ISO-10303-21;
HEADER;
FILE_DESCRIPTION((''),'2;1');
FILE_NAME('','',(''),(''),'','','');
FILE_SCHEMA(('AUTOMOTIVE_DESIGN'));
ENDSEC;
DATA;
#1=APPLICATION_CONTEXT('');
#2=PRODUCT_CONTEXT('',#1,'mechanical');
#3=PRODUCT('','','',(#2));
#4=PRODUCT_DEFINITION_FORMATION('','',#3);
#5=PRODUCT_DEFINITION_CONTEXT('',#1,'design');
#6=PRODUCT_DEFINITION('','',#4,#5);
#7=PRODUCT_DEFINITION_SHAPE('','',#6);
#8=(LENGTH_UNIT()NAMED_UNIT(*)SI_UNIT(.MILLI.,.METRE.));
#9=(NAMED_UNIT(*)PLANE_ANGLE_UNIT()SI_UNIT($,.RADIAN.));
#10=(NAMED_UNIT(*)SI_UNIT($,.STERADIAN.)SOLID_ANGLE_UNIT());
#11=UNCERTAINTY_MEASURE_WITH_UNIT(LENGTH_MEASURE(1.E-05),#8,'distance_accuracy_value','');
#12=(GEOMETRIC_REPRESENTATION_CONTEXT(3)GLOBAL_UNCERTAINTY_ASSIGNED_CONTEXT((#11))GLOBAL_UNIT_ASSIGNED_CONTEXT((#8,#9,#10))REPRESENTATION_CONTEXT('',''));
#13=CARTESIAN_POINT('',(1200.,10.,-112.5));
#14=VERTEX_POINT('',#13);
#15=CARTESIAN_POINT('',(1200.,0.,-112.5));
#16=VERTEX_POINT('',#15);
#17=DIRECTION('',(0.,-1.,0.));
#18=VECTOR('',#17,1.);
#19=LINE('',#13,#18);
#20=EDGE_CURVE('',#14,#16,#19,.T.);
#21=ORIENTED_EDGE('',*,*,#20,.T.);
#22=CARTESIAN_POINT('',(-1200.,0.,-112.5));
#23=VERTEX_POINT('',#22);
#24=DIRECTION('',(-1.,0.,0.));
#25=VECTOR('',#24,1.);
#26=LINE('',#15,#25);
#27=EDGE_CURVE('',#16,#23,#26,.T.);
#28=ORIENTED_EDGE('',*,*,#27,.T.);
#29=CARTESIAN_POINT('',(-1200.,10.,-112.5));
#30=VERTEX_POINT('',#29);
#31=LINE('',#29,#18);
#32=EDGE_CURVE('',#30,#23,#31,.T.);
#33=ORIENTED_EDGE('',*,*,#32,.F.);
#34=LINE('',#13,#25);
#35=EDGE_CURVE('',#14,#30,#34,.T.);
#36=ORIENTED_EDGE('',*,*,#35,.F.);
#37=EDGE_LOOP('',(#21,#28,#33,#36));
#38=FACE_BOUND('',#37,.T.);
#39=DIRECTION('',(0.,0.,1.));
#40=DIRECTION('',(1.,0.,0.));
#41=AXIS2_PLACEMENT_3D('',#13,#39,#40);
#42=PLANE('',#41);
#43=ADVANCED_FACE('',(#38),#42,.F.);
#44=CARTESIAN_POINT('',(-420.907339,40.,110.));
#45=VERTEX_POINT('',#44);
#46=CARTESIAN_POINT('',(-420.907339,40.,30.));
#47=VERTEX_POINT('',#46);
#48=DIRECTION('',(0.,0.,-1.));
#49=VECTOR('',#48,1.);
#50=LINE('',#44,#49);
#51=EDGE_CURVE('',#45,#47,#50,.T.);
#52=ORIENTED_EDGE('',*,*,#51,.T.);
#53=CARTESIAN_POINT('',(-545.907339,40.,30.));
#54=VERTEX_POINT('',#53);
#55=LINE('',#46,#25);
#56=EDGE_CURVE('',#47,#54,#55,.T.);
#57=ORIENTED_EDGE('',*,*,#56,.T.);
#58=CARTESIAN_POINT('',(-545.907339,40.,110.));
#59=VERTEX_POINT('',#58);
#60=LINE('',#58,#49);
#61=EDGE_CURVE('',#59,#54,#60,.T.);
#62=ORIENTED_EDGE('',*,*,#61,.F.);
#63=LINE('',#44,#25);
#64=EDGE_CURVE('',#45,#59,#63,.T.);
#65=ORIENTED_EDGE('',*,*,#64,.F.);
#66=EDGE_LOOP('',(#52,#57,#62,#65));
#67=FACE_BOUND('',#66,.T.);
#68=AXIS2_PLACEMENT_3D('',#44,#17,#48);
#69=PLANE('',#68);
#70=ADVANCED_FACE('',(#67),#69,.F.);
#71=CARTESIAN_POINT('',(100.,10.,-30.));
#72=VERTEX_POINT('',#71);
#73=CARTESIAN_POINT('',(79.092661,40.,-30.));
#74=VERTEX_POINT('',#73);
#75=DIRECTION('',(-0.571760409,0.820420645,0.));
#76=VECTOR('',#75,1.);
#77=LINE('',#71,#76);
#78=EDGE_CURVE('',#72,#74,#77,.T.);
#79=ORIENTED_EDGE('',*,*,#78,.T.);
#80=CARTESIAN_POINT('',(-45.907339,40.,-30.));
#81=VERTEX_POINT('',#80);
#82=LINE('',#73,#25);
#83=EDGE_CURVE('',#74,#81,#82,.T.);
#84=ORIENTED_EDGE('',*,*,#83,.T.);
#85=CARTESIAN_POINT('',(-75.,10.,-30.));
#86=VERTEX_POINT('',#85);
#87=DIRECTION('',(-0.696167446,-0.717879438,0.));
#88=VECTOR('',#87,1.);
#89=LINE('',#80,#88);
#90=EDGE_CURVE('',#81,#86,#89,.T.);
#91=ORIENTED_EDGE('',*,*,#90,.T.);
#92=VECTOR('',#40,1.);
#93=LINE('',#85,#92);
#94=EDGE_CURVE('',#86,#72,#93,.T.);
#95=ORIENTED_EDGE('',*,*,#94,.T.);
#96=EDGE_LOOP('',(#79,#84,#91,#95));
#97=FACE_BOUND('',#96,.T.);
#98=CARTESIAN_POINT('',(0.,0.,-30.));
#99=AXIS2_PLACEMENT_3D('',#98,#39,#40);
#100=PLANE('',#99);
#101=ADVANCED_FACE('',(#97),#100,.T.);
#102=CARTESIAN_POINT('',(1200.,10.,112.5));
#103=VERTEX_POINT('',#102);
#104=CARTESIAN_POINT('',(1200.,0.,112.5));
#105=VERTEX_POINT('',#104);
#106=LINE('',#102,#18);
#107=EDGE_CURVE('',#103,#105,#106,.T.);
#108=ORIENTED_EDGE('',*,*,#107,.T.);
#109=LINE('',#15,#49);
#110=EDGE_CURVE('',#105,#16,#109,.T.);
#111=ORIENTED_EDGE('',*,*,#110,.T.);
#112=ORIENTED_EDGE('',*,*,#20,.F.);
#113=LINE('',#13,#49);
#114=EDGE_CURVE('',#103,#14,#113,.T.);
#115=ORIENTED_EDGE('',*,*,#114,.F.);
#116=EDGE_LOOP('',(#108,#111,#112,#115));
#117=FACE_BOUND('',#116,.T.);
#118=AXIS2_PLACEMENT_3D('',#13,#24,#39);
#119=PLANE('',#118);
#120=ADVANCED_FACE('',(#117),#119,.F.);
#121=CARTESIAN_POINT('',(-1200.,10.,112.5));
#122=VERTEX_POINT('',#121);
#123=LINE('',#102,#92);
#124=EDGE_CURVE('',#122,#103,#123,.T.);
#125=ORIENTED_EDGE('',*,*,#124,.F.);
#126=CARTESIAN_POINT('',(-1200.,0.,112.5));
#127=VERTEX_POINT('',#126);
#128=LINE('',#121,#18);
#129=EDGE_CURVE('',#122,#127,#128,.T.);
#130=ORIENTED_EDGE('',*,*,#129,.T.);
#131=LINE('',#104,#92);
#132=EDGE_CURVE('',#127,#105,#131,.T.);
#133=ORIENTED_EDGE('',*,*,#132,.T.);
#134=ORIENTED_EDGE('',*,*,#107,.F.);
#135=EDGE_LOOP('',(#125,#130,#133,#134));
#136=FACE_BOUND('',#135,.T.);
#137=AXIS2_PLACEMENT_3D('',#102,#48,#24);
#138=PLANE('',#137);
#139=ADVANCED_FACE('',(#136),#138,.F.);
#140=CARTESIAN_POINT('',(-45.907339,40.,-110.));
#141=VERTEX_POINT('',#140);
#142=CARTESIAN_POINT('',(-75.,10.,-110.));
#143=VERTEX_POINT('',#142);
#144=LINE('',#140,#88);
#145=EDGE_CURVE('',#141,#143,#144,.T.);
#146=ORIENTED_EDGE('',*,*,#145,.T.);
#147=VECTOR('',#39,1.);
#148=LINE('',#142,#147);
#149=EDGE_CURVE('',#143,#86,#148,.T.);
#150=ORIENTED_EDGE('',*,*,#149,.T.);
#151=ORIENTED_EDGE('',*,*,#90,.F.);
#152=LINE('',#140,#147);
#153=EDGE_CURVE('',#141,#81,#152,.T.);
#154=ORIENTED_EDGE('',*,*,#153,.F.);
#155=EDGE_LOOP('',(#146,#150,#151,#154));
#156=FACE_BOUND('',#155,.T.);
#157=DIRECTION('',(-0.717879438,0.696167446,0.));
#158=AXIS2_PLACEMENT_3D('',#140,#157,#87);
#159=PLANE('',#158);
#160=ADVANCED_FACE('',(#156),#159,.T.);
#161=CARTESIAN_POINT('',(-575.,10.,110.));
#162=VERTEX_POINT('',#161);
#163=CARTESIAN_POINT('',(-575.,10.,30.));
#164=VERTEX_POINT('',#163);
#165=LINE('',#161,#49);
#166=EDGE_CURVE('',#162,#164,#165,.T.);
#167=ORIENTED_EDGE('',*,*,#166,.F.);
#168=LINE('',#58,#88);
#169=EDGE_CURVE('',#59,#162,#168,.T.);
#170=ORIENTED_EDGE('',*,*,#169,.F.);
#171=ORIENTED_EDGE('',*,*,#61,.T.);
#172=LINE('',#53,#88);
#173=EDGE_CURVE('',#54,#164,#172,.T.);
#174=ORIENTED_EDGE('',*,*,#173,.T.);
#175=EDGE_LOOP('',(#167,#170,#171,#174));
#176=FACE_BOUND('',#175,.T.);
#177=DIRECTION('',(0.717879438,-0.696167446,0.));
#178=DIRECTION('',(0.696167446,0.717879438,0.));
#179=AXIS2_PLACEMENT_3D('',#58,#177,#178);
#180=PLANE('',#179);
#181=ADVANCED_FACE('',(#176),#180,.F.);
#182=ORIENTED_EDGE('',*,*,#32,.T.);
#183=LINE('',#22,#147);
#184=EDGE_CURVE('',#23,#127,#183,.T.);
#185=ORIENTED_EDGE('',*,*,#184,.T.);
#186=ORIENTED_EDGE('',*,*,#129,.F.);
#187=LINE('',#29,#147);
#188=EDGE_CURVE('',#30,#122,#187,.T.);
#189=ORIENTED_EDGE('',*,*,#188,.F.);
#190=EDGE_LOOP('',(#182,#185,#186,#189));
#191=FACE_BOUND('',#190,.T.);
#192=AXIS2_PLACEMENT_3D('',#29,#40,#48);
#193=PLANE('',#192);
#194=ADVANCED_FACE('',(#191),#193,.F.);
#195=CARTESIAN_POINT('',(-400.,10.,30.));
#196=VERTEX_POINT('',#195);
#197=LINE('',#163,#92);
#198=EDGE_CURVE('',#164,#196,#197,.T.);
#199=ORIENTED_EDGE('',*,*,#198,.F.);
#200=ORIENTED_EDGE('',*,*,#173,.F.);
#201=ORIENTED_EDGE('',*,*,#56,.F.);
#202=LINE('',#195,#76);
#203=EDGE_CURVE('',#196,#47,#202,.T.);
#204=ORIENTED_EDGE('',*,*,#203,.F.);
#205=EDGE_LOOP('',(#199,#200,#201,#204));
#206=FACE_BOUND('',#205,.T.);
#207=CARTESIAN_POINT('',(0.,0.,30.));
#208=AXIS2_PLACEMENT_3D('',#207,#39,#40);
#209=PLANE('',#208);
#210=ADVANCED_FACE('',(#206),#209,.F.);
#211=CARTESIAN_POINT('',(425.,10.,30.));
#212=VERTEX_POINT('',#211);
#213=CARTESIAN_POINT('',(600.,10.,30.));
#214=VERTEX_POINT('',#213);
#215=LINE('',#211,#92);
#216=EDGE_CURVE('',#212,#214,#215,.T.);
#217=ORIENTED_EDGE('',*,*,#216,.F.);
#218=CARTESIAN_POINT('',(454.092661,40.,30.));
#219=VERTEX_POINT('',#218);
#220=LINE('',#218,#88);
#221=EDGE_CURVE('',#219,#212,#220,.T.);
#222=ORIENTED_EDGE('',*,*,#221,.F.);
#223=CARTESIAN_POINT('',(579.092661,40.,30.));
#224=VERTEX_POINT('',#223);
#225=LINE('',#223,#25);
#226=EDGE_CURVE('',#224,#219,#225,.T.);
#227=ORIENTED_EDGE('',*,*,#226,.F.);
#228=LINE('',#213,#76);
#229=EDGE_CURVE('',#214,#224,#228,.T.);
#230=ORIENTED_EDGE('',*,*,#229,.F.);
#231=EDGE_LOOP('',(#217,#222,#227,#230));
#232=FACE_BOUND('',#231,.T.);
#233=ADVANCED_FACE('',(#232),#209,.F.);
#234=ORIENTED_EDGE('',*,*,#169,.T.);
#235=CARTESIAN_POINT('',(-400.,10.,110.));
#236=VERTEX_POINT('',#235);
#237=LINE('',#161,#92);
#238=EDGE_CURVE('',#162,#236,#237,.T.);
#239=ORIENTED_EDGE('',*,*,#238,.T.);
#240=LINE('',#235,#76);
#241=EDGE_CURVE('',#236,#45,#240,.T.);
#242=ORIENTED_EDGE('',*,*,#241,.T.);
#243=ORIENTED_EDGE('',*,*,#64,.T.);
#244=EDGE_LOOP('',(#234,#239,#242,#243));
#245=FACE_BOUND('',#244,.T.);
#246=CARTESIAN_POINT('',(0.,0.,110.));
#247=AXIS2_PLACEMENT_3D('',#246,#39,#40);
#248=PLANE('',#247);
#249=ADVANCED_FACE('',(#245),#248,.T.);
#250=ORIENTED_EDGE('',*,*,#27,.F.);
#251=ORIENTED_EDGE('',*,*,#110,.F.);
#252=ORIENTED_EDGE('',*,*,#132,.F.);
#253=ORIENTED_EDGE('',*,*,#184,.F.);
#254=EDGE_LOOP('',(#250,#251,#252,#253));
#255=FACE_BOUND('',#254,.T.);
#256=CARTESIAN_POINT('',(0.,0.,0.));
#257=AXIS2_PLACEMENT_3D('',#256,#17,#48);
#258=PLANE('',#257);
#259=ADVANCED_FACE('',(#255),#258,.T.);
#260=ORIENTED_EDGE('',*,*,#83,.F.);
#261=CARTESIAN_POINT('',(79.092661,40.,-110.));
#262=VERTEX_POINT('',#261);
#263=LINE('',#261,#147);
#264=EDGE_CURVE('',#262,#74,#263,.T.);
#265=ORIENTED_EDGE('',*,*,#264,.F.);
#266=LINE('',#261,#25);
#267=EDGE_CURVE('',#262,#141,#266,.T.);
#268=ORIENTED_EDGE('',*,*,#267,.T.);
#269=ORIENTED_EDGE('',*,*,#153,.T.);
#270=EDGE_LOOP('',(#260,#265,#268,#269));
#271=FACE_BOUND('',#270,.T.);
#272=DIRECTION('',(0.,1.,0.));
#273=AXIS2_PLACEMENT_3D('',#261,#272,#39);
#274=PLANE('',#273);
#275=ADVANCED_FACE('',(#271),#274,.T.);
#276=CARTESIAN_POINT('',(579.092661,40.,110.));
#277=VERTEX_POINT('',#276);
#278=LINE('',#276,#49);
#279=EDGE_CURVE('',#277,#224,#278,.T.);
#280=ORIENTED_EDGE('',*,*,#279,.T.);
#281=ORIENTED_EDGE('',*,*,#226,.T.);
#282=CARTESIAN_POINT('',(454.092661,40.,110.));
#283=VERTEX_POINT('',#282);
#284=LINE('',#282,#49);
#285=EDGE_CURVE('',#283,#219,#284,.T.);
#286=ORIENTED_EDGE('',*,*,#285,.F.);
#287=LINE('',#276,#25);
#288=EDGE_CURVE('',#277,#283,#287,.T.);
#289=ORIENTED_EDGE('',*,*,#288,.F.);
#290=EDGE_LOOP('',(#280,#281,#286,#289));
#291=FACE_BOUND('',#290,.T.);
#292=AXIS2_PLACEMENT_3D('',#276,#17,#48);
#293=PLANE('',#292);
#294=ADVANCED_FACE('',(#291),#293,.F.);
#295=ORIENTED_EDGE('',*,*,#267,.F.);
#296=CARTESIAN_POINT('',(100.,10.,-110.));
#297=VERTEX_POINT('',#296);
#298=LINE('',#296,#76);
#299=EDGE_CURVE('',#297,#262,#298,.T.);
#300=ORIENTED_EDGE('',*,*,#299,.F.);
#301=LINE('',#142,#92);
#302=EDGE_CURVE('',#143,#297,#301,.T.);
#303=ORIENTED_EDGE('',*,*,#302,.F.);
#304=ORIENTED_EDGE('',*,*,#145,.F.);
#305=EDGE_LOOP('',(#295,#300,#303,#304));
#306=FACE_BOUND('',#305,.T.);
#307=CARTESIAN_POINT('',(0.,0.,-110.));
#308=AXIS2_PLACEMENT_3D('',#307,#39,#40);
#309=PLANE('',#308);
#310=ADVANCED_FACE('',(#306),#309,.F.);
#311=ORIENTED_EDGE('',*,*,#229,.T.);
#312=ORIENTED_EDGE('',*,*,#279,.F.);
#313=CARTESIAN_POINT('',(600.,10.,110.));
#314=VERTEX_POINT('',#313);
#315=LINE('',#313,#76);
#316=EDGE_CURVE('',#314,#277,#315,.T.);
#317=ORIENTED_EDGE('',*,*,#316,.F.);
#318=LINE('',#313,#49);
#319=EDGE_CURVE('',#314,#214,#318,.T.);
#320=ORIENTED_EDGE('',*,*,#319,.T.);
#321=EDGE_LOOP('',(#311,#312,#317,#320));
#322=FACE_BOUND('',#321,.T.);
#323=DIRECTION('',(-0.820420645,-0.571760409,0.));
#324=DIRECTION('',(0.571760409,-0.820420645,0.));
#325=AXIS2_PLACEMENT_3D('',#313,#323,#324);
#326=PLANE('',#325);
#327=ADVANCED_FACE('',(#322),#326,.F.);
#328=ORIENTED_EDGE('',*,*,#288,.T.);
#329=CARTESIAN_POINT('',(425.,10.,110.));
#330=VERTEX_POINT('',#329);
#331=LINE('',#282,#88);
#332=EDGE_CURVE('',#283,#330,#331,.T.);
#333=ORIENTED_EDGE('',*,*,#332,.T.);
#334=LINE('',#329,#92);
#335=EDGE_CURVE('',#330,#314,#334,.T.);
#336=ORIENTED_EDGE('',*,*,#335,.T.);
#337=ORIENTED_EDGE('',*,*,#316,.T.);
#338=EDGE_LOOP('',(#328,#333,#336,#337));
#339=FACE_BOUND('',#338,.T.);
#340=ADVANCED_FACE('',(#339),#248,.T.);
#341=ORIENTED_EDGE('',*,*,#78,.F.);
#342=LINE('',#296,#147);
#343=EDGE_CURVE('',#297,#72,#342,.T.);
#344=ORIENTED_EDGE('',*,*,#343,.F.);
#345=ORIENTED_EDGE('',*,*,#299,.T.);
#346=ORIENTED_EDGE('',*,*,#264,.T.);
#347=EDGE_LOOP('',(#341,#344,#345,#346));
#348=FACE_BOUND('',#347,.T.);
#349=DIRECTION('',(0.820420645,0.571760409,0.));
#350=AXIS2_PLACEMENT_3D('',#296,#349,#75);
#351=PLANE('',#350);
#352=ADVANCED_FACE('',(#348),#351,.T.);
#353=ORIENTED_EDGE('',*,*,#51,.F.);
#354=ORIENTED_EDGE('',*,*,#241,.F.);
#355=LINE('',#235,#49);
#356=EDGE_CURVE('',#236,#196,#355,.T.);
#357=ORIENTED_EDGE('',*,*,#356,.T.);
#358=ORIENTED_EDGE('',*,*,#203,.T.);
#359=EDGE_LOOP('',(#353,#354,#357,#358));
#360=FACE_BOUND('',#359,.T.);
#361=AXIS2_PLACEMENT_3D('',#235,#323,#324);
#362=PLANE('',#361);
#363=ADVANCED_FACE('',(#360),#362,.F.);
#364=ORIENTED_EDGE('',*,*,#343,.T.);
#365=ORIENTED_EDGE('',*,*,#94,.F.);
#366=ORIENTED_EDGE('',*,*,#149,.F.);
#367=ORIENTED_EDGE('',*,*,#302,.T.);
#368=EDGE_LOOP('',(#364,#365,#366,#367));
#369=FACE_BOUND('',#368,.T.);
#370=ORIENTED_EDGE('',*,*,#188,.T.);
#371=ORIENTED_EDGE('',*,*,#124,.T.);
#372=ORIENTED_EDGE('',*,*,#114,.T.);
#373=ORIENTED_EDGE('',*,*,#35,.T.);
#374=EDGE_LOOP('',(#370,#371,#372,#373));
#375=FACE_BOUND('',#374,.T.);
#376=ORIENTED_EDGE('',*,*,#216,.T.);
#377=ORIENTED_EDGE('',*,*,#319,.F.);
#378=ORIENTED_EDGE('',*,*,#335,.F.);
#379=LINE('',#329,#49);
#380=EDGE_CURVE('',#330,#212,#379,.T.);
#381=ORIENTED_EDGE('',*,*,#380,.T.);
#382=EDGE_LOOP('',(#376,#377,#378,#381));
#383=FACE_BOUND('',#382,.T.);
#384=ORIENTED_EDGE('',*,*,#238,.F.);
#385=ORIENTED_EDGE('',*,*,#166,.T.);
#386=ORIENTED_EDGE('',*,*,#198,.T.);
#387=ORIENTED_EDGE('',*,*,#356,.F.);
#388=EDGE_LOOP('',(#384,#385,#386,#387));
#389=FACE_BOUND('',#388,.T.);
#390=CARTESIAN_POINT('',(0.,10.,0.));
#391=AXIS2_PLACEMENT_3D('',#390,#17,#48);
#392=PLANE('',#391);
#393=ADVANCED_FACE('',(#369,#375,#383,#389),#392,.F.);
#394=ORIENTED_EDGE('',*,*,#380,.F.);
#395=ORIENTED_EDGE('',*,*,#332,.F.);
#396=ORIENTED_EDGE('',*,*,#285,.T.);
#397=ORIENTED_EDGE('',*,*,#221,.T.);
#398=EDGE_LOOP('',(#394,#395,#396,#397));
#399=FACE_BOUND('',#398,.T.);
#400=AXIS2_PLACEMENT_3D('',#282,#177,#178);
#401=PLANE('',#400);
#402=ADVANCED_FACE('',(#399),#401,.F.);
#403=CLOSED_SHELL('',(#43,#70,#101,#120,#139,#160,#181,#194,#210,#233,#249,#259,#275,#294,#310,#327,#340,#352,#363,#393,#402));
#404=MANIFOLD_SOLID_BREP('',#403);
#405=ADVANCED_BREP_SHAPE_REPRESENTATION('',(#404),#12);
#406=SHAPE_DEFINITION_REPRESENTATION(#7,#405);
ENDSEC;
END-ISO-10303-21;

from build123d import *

# Parameters (mm, degrees)
SKETCH1_W           = 2400
SKETCH1_H           = 225
BOSS_EXTRUDE1_DEPTH = 10
BOSS_EXTRUDE2_START = 30
BOSS_EXTRUDE2_DEPTH = 80
BOSS_EXTRUDE3_START = -30
BOSS_EXTRUDE3_DEPTH = 80


with BuildPart() as part:
    # Sketch1 → Boss-Extrude1 (new body)
    with BuildSketch(Plane(origin=(0, 0, 0), x_dir=(1, 0, 0), z_dir=(0, 1, 0))):
        Rectangle(SKETCH1_W, SKETCH1_H)
    extrude(amount=BOSS_EXTRUDE1_DEPTH)

    # Sketch2 → Boss-Extrude2 (add)
    with BuildSketch(Plane.XY.offset(BOSS_EXTRUDE2_START)):
        Polygon((600, 10), (579.09266135, 40), (454.09266135, 40), (425, 10), align=None)
        Polygon((-420.90733865, 40), (-545.90733865, 40), (-575, 10), (-400, 10), align=None)
    extrude(amount=BOSS_EXTRUDE2_DEPTH)

    # Sketch4 → Boss-Extrude3 (add)
    with BuildSketch(Plane.XY.offset(BOSS_EXTRUDE3_START)):
        Polygon((100, 10), (79.09266135, 40), (-45.90733865, 40), (-75, 10), align=None)
    extrude(amount=-BOSS_EXTRUDE3_DEPTH)


solid = part.part
